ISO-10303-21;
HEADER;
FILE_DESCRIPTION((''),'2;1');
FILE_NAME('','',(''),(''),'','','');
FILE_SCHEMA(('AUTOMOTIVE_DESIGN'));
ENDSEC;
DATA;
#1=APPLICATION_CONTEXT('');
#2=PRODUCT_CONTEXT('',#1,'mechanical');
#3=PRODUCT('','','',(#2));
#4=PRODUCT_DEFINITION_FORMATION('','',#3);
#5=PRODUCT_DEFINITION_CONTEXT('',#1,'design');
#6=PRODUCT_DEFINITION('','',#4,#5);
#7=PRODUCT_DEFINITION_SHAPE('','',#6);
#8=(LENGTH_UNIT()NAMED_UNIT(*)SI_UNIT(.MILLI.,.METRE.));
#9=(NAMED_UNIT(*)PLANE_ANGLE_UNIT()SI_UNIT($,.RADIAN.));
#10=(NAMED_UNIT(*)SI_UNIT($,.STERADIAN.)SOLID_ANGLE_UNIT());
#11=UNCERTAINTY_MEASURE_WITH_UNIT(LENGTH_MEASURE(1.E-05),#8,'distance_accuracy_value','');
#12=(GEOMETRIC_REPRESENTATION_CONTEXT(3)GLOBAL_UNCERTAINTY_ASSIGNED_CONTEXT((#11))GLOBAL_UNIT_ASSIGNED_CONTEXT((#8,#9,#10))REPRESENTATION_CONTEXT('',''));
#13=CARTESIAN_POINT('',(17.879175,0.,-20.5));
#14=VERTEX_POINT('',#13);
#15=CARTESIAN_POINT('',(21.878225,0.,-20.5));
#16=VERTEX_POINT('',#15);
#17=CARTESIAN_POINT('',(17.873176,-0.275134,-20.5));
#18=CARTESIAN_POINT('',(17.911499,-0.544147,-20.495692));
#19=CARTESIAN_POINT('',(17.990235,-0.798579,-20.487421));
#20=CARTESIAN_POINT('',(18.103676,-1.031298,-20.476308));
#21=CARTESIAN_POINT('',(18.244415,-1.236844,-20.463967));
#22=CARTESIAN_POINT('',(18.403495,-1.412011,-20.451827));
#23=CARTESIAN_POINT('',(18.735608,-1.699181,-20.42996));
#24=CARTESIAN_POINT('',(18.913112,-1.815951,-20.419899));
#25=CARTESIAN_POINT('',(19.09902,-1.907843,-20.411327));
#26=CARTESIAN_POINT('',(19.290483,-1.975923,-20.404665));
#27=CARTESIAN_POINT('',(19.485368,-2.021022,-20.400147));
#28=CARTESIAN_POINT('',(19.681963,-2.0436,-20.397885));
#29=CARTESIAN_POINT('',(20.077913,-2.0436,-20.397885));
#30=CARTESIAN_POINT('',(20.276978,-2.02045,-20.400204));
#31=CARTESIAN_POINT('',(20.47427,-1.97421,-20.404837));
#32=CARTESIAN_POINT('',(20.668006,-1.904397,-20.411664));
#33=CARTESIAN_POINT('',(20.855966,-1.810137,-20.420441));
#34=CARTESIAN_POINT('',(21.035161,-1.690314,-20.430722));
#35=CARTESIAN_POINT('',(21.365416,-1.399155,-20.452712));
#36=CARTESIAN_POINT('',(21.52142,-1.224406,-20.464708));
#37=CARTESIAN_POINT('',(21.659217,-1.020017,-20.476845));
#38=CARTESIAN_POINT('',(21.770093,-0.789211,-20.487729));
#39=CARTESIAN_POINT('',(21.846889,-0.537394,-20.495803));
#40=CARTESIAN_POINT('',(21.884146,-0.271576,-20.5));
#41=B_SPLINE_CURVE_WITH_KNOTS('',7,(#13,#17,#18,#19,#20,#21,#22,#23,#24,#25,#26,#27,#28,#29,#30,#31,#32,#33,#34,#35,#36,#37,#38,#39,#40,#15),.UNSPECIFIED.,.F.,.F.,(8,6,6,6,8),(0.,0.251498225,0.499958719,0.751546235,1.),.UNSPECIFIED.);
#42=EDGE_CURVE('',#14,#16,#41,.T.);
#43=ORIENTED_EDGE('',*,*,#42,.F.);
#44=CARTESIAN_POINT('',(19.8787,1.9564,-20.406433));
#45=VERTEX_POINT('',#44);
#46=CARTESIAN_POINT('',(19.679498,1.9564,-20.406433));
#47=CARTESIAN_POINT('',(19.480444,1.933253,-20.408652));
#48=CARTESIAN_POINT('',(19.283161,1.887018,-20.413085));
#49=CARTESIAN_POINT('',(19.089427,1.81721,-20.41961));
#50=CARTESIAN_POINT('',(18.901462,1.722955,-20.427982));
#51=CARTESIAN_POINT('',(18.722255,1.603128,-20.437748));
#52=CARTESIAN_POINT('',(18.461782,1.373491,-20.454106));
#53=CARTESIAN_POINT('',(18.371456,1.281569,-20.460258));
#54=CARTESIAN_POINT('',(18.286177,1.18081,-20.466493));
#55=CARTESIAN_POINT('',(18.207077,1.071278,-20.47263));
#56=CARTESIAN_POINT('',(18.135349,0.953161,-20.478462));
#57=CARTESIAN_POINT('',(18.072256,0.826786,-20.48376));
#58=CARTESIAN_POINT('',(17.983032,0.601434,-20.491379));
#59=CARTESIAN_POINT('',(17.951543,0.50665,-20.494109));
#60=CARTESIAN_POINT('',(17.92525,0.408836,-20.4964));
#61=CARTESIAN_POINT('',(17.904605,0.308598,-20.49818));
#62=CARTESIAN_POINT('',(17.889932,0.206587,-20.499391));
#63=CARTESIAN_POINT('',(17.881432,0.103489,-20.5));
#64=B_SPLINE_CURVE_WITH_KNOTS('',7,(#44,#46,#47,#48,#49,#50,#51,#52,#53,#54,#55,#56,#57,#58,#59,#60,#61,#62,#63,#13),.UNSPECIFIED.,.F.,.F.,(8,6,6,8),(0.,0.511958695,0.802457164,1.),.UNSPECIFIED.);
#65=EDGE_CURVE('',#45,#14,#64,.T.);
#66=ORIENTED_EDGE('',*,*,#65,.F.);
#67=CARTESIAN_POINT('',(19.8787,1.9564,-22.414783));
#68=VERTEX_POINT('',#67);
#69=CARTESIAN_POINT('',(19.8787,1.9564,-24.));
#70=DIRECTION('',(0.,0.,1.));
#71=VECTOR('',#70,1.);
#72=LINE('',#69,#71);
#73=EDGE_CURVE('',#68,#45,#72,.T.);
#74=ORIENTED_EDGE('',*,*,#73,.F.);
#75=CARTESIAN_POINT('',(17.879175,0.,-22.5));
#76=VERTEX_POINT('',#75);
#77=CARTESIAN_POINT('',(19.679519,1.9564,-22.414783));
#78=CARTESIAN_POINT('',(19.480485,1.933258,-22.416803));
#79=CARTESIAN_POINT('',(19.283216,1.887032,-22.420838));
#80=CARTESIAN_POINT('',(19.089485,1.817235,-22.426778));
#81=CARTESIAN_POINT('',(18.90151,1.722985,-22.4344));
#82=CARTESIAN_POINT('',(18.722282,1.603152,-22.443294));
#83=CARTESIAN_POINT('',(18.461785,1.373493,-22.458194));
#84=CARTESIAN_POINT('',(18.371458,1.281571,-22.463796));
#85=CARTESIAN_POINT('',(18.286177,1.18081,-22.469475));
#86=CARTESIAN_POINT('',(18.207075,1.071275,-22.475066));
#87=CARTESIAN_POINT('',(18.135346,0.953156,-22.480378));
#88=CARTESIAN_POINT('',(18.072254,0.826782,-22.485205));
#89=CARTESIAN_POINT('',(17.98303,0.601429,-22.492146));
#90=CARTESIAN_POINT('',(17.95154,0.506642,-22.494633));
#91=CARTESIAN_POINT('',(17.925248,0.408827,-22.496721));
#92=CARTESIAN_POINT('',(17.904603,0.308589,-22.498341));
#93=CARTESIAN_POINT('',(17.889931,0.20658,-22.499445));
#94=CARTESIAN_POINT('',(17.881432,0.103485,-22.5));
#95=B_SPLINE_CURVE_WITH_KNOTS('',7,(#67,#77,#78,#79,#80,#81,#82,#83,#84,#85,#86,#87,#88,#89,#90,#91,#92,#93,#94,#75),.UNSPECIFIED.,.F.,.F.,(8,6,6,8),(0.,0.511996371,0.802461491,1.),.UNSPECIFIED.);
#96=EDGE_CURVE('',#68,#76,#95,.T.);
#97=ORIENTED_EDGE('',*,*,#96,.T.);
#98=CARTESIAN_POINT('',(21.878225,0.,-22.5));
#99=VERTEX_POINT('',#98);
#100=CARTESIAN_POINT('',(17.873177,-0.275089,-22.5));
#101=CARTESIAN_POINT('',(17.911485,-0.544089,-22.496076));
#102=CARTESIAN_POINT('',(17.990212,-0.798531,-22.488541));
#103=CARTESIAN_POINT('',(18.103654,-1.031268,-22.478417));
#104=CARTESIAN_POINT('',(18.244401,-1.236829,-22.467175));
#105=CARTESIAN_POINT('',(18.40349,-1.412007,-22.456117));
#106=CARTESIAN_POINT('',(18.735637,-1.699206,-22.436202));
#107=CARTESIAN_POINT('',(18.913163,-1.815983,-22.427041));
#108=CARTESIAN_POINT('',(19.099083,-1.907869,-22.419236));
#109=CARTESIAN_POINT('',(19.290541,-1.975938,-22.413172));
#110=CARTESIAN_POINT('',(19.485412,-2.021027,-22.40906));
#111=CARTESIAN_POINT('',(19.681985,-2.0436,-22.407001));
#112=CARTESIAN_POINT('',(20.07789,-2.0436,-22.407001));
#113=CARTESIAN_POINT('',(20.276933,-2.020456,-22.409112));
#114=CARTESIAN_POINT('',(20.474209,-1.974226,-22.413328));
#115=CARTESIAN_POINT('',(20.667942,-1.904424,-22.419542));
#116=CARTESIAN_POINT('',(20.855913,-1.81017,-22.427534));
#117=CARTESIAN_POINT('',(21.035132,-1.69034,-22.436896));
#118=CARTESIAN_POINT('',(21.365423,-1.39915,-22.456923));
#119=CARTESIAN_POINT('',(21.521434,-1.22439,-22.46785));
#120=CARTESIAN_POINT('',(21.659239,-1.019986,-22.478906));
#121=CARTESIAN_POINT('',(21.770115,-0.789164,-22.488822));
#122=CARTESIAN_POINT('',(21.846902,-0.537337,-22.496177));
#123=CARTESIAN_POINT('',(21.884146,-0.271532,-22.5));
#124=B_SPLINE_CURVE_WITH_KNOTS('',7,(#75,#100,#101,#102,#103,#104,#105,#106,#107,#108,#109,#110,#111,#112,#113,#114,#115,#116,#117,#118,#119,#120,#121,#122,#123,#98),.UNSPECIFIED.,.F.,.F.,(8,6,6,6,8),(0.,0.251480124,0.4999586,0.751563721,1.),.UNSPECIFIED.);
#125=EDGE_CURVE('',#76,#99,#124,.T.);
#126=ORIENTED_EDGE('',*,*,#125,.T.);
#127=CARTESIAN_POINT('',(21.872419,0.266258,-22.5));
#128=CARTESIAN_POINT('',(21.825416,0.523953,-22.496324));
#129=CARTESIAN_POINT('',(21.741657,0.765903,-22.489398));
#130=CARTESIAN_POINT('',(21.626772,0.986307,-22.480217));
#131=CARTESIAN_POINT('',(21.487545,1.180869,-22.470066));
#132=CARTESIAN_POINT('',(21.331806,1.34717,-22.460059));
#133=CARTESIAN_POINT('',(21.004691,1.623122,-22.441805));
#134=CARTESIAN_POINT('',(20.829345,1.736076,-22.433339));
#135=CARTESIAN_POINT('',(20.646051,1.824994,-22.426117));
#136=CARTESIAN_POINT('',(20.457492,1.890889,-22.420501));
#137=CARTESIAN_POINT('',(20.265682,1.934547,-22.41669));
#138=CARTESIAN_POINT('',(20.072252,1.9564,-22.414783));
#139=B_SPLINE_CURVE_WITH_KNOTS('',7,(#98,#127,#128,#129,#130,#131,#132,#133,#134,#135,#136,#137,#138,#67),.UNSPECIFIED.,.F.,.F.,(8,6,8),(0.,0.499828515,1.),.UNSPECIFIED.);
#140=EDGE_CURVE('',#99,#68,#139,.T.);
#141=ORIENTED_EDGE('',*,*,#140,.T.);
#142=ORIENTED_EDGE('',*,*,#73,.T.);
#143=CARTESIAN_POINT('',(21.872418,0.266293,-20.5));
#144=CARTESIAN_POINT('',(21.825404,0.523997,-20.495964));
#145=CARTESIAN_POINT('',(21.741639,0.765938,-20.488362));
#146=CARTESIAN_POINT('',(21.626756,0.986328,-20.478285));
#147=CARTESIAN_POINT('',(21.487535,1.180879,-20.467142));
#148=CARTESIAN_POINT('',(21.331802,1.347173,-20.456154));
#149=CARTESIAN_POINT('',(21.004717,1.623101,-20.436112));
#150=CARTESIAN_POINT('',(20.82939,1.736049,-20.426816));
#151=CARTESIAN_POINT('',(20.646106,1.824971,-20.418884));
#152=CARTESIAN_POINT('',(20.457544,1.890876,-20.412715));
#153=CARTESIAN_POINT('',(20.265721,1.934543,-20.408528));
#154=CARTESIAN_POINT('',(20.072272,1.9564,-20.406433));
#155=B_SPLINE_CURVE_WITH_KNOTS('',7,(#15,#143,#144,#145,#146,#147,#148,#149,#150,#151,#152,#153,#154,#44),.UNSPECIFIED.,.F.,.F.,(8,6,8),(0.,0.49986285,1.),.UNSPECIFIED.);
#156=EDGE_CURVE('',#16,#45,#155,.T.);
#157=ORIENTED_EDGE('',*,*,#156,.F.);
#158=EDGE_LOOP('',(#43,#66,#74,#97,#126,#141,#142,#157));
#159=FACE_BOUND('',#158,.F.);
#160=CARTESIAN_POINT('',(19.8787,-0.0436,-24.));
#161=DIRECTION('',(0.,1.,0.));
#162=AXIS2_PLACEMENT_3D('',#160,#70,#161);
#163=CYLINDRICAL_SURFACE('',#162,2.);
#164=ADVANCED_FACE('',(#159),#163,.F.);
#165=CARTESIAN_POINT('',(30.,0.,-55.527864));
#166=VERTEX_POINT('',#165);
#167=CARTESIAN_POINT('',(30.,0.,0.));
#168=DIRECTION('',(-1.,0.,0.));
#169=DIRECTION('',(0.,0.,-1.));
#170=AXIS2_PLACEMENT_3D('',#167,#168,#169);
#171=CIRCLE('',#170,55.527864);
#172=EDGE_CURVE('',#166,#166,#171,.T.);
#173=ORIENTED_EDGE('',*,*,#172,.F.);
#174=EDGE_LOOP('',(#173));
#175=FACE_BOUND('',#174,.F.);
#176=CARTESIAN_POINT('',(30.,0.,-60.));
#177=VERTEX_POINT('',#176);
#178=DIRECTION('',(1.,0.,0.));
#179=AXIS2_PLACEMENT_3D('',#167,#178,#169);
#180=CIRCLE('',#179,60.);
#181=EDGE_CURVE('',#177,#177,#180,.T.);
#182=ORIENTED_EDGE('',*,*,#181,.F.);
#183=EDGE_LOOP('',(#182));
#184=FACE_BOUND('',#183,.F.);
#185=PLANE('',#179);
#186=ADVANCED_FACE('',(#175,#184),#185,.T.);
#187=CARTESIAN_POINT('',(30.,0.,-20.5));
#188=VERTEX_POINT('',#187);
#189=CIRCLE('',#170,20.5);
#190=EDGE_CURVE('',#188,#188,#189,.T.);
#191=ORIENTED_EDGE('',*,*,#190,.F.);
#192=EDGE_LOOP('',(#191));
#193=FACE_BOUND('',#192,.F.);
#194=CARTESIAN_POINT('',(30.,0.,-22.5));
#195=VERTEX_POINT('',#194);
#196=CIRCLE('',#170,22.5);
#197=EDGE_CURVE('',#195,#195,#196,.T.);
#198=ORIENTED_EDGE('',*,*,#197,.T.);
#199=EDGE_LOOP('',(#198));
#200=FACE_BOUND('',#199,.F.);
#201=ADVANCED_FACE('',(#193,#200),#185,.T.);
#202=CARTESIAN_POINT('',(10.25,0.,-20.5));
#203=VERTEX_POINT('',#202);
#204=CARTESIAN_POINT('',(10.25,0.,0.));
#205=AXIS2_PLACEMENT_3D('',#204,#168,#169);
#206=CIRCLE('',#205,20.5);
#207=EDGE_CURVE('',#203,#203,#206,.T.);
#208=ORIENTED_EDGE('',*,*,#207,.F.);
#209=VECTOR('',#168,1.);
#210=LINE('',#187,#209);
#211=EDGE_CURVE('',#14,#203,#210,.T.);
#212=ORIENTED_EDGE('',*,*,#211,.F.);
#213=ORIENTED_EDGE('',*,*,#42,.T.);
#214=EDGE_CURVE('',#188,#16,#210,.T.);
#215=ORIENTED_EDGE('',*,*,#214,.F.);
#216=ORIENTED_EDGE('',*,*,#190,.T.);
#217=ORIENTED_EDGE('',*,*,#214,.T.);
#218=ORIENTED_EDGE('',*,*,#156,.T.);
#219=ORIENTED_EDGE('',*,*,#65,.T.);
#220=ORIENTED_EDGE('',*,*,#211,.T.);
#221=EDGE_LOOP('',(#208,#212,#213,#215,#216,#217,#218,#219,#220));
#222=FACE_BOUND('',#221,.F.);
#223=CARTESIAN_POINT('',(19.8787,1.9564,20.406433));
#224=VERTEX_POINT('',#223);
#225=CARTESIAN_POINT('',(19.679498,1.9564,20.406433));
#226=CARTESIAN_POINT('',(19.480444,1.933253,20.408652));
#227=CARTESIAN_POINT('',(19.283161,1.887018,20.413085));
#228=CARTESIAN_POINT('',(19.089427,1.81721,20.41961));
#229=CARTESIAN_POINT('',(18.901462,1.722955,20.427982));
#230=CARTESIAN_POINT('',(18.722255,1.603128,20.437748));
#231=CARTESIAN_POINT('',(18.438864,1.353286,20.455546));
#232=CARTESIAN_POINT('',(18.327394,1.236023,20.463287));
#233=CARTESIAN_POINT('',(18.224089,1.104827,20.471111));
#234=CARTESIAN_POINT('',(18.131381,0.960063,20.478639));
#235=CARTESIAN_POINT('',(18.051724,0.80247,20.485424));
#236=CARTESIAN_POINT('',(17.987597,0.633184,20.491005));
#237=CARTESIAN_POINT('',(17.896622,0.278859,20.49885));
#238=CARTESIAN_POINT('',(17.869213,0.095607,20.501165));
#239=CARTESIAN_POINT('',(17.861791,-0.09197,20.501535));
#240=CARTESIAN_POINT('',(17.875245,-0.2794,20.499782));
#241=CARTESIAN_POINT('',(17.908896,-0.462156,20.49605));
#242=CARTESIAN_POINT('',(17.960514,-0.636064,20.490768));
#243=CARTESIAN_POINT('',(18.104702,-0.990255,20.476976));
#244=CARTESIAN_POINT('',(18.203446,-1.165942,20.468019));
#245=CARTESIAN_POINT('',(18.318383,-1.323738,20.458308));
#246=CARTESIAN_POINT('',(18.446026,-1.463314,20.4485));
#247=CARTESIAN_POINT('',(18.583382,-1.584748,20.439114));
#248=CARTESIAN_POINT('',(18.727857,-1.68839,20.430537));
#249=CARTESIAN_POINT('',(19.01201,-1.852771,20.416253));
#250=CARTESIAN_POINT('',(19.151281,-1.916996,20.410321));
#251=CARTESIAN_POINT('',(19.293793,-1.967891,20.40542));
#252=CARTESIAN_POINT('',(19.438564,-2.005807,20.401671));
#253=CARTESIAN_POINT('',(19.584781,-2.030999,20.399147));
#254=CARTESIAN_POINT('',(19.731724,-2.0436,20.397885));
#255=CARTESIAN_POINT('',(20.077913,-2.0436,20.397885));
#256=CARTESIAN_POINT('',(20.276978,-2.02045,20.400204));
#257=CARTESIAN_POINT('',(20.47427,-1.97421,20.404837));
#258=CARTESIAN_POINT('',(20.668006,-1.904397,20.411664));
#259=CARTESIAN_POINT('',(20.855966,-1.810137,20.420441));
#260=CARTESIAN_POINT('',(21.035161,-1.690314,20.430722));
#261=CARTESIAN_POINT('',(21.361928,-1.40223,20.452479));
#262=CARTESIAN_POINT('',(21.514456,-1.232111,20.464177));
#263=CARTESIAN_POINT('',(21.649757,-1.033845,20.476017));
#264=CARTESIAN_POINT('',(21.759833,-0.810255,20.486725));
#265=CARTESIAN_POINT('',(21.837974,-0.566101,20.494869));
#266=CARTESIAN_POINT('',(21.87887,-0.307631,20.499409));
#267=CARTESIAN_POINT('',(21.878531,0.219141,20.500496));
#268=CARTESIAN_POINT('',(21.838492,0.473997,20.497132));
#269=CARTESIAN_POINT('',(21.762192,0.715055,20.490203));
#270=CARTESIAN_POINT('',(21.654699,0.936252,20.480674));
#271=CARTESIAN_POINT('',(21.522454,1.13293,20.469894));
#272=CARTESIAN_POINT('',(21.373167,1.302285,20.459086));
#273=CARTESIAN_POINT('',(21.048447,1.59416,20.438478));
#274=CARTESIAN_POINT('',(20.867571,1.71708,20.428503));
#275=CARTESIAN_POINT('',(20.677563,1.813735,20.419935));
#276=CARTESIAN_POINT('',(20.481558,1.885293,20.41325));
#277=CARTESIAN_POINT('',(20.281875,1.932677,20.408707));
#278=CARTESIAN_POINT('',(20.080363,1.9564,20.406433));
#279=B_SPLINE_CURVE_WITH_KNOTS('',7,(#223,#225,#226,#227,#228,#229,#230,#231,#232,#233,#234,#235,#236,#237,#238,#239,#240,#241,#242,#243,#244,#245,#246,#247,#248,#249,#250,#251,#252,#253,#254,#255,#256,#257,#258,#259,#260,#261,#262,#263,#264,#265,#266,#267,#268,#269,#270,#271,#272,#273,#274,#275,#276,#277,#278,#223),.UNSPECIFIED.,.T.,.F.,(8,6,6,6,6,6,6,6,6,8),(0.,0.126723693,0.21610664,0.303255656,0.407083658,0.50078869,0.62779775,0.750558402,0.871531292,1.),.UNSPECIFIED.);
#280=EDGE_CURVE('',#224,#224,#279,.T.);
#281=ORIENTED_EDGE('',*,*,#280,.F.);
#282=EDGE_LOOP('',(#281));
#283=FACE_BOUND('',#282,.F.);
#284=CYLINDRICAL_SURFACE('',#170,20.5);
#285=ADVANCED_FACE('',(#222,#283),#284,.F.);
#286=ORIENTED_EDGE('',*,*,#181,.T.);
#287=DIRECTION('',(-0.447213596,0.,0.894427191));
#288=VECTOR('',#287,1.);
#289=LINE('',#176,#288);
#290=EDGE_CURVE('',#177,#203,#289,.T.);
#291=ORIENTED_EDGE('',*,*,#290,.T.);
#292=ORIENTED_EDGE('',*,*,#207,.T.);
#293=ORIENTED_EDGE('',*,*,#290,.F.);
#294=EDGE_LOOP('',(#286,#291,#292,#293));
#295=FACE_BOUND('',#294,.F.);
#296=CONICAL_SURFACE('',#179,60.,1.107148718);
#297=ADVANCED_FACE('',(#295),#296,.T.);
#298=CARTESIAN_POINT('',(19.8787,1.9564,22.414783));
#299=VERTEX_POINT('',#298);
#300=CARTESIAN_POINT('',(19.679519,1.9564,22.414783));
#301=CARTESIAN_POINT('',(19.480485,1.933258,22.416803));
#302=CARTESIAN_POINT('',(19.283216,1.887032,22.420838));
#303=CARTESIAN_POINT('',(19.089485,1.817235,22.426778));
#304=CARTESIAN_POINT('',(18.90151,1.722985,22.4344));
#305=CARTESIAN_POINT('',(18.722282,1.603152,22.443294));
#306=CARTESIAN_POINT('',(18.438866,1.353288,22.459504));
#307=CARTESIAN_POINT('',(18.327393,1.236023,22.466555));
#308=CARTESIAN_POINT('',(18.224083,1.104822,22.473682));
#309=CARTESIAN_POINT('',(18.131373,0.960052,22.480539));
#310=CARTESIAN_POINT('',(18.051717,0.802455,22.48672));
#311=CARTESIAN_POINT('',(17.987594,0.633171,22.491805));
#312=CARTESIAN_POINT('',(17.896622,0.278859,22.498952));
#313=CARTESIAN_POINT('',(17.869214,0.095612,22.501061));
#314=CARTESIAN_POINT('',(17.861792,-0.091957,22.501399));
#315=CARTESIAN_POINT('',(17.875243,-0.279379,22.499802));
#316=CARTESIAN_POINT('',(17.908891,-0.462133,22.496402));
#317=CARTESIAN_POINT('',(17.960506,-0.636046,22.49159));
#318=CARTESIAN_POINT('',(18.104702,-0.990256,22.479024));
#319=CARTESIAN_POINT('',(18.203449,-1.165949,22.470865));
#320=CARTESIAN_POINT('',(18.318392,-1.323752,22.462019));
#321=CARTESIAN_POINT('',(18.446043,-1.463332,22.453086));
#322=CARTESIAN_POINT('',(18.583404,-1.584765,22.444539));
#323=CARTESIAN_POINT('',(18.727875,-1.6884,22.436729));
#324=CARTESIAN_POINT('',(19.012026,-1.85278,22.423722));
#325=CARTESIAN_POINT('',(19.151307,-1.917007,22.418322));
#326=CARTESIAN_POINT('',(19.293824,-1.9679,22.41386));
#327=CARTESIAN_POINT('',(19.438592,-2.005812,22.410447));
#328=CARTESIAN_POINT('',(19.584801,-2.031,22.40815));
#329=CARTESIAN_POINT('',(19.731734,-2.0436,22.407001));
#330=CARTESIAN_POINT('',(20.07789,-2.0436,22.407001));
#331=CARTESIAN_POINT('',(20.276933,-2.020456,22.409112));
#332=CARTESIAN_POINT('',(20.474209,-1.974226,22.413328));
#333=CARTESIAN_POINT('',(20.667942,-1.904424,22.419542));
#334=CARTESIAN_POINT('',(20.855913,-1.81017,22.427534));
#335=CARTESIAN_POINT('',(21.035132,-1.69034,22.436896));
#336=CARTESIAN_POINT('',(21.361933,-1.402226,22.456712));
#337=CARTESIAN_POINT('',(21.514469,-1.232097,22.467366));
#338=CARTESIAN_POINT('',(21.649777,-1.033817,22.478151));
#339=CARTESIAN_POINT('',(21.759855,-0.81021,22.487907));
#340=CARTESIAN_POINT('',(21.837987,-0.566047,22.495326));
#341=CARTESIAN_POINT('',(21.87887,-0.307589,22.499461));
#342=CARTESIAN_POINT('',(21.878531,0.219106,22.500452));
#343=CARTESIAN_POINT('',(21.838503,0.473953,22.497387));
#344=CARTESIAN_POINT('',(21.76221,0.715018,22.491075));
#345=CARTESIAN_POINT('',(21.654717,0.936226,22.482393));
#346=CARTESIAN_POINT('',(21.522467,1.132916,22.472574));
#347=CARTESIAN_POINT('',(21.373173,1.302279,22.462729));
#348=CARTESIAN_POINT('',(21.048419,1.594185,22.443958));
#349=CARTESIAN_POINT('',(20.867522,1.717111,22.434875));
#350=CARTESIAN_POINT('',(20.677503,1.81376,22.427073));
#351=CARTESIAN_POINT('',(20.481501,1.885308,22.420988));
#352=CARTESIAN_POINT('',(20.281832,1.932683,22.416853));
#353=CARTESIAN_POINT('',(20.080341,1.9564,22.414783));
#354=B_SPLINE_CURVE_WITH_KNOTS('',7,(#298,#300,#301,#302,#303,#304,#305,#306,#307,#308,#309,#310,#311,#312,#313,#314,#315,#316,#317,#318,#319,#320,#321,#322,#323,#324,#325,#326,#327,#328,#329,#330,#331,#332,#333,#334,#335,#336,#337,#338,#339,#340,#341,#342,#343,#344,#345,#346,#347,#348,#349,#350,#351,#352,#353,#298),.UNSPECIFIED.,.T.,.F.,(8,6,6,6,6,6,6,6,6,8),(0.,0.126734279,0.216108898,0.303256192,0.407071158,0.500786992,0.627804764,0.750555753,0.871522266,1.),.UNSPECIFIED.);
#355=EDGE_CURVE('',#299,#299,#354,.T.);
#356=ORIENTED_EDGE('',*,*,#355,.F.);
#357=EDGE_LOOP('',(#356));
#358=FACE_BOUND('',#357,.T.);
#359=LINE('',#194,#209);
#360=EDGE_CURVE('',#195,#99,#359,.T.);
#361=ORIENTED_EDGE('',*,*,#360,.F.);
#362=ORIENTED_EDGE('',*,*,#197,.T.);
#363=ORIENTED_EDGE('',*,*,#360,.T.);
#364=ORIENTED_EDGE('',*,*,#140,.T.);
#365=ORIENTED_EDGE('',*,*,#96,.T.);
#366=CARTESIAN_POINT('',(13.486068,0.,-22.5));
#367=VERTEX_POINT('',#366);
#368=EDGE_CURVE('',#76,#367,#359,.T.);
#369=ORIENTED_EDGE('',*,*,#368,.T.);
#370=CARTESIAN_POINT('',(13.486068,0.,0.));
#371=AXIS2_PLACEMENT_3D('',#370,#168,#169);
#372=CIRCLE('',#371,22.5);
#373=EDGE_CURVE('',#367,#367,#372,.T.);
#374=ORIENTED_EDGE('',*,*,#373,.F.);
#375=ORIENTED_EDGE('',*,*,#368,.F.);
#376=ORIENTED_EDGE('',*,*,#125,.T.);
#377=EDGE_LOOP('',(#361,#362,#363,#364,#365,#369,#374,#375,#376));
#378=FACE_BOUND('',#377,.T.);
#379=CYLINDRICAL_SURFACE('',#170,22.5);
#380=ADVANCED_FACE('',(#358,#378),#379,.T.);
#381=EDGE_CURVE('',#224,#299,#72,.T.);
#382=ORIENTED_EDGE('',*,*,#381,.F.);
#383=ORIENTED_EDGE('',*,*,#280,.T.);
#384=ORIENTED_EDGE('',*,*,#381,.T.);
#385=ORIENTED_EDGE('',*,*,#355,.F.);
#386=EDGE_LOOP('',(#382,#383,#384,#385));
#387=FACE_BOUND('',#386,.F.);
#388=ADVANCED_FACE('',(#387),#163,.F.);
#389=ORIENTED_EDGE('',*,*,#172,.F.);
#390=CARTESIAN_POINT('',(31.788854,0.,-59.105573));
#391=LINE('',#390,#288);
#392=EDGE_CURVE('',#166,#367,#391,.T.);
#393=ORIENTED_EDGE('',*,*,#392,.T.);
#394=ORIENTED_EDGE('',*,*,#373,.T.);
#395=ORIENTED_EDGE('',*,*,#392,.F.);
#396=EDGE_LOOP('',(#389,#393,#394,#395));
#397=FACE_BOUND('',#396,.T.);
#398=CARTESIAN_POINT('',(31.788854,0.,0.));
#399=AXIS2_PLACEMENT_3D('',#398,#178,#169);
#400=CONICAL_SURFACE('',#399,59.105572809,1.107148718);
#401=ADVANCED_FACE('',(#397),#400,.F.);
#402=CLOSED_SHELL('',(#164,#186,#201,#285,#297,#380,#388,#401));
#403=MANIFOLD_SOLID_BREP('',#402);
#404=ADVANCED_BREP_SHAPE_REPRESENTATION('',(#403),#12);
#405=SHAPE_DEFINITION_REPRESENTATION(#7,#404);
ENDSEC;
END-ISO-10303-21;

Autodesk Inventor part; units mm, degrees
ref_plane "YZ Plane" through (0, 0, 0) normal (1, 0, 0) x (0, 1, 0)
ref_plane "XZ Plane" through (0, 0, 0) normal (0, 1, 0) x (-1, 0, 0)
ref_plane "XY Plane" through (0, 0, 0) normal (0, 0, 1) x (1, 0, 0)
sketch "Sketch3" plane through (0, 0, 0) normal (0, 1, 0) x (-1, 0, 0)
  line L0 (0, 0) -> (-30, 0)
  line L1 (-30, 0) -> (-30, -60)
  line L2 (-30, -60) -> (0, 0)
  dimension "d10" = 30
  dimension "d11" = 60
  dimension "d33" = 67.082
revolve "Revolution4" add sketch "Sketch3" angle 360 about axis through (0, 0, 0) along (1, 0, 0)
sketch "Sketch4" plane through (30, 0, 0) normal (1, 0, 0) x (0, 0, -1)
  point P0 (0, 0)
  point P1 (0, 0)
hole "Hole1" at (30, 0, 0) direction (-1, 0, 0) diameter 41 depth 40.25
shell "Shell2" thickness 2 removed faces 1 at (30, 15.6337, 43.9334)
sketch "Sketch5" plane through (0, 0, 0) normal (0, 0, 1) x (1, 0, 0)
  circle A0 centre (19.9279, 0) radius 1.5
  point P0 (0, 0)
  dimension "d25" = 3
extrude "Extrusion1" add sketch "Sketch5" along normal blind 21.5 and the other way blind 24
sketch "Sketch6" plane through (19.9279, 0, -24) normal (0, 0, -1) x (-1, 0, 0)
  point P0 (19.9279, 0)
  point P1 (0.0492, -0.0436)
hole "Hole2" at (19.8787, -0.0436, -24) direction (0, 0, 1) diameter 4 depth 48.25
properties part number "Penahan tanah" material "Aluminum 6061-AHC"
